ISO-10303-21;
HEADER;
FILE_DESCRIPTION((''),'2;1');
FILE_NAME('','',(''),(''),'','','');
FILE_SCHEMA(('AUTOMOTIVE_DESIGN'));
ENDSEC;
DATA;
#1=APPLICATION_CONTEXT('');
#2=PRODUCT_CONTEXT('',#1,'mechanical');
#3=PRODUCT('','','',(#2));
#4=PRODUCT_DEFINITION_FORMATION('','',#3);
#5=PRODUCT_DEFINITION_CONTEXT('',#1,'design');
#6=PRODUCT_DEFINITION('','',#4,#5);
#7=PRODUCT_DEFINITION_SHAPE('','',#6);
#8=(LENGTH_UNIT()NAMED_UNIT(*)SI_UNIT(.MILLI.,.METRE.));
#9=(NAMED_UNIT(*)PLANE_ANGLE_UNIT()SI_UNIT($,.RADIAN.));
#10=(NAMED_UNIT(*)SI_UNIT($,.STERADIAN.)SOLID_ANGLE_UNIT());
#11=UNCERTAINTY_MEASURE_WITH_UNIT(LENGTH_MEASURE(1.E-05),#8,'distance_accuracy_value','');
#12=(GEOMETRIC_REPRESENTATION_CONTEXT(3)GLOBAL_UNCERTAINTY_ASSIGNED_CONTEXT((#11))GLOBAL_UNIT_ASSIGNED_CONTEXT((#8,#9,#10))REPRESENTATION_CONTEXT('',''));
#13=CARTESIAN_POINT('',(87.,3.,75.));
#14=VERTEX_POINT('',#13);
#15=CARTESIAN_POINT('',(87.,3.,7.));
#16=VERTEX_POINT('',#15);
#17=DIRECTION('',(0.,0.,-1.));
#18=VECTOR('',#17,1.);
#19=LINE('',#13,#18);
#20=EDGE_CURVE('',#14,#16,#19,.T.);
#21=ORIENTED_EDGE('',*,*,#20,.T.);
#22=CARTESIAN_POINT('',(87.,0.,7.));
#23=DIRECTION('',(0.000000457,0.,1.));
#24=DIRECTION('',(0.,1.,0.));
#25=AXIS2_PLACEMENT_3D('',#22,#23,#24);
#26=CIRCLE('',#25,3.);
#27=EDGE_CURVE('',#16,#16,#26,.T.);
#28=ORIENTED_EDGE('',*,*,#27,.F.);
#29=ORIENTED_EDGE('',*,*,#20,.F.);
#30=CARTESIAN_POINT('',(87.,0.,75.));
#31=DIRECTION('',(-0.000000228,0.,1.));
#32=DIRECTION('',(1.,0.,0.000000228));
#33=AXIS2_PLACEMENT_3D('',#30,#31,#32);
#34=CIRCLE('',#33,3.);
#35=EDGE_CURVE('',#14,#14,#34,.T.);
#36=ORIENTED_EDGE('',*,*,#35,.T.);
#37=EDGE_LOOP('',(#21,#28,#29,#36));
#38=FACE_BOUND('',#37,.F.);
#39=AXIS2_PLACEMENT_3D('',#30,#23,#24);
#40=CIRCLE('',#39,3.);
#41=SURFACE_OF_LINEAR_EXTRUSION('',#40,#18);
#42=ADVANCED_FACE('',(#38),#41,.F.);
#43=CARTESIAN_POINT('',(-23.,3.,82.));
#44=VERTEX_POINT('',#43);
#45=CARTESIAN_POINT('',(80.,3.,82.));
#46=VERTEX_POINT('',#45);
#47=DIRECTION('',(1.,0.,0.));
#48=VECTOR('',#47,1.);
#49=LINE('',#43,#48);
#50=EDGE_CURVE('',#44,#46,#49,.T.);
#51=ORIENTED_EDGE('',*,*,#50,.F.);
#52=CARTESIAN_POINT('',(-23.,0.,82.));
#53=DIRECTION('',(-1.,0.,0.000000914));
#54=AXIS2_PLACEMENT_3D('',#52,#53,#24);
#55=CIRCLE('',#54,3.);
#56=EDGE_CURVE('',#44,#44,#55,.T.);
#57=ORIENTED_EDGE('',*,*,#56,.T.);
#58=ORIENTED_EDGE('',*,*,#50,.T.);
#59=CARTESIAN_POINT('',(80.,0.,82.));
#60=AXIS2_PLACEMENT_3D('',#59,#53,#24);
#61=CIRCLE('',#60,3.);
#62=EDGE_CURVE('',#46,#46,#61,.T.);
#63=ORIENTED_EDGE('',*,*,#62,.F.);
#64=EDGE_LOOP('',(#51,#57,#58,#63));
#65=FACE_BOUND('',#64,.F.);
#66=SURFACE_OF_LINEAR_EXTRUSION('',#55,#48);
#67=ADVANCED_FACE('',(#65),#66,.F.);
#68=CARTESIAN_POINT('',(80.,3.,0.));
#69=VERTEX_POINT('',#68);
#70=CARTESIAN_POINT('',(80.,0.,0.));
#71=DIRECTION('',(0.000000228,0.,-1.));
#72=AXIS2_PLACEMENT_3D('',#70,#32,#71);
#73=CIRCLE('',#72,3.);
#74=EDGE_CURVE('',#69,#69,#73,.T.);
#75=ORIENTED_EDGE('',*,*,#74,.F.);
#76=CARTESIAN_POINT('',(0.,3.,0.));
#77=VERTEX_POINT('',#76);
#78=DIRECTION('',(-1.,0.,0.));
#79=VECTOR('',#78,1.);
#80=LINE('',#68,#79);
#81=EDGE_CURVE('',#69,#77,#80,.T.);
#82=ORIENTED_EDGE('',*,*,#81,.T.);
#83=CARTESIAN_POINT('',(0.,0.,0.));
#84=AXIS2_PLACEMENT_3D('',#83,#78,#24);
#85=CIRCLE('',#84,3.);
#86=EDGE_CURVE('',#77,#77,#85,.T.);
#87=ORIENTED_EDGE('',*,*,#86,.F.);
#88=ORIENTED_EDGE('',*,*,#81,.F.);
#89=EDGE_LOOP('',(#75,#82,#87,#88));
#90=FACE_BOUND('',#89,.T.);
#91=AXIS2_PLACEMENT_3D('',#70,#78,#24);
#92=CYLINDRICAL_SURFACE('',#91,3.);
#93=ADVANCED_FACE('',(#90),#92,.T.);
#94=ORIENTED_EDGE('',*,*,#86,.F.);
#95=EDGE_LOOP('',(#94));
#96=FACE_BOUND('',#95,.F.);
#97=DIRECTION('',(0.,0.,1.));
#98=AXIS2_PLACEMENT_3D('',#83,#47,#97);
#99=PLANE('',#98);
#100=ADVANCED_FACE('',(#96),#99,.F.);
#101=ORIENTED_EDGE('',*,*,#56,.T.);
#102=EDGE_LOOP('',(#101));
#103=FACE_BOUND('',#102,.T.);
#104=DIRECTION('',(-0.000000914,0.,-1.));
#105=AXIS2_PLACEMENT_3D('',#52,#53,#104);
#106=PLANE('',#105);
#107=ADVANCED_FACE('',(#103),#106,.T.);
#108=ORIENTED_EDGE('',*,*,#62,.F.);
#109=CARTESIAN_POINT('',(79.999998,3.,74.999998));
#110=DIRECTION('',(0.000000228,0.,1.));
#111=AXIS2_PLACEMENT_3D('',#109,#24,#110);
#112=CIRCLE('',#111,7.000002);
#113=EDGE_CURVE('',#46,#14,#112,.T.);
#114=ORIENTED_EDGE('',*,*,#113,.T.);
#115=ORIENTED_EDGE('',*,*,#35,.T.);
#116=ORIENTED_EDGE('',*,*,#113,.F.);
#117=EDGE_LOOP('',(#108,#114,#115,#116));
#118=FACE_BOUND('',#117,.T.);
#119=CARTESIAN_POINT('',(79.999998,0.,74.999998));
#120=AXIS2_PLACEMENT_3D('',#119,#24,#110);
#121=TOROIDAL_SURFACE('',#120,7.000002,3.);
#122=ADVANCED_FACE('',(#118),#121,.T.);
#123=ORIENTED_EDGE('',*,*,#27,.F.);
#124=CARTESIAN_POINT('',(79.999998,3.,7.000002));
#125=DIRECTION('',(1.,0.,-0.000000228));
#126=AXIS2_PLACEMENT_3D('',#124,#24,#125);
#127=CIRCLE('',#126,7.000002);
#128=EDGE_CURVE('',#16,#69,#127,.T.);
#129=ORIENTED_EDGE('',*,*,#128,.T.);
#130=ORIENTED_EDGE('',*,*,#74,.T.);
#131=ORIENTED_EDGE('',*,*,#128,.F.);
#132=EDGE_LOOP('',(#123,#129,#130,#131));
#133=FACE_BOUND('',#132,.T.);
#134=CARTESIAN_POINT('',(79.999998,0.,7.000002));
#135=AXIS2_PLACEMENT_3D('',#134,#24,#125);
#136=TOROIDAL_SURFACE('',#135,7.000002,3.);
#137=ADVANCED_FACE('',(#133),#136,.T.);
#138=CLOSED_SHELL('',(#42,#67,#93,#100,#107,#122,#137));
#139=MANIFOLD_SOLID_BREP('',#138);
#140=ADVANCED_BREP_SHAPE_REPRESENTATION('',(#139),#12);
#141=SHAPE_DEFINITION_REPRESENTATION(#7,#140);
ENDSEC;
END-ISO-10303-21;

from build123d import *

# Parameters (mm, degrees)
F1_R = 3


with BuildPart() as f2:
    # F2: sweep along a path in F0
    with BuildLine(Plane.XZ) as f2_path:
        Line((-23, 82), (80, 82))
        ThreePointArc((80, 82), (84.949747, 79.949747), (87, 75))
        Line((87, 75), (87, 7))
        ThreePointArc((87, 7), (84.949747, 2.050253), (80, 0))
        Line((80, 0), (0, 0))
    # F1 (on Right) → F2 (sweep)
    with BuildSketch(Plane.YZ):
        Circle(F1_R)
    sweep(path=f2_path.line)


solid = f2.part
